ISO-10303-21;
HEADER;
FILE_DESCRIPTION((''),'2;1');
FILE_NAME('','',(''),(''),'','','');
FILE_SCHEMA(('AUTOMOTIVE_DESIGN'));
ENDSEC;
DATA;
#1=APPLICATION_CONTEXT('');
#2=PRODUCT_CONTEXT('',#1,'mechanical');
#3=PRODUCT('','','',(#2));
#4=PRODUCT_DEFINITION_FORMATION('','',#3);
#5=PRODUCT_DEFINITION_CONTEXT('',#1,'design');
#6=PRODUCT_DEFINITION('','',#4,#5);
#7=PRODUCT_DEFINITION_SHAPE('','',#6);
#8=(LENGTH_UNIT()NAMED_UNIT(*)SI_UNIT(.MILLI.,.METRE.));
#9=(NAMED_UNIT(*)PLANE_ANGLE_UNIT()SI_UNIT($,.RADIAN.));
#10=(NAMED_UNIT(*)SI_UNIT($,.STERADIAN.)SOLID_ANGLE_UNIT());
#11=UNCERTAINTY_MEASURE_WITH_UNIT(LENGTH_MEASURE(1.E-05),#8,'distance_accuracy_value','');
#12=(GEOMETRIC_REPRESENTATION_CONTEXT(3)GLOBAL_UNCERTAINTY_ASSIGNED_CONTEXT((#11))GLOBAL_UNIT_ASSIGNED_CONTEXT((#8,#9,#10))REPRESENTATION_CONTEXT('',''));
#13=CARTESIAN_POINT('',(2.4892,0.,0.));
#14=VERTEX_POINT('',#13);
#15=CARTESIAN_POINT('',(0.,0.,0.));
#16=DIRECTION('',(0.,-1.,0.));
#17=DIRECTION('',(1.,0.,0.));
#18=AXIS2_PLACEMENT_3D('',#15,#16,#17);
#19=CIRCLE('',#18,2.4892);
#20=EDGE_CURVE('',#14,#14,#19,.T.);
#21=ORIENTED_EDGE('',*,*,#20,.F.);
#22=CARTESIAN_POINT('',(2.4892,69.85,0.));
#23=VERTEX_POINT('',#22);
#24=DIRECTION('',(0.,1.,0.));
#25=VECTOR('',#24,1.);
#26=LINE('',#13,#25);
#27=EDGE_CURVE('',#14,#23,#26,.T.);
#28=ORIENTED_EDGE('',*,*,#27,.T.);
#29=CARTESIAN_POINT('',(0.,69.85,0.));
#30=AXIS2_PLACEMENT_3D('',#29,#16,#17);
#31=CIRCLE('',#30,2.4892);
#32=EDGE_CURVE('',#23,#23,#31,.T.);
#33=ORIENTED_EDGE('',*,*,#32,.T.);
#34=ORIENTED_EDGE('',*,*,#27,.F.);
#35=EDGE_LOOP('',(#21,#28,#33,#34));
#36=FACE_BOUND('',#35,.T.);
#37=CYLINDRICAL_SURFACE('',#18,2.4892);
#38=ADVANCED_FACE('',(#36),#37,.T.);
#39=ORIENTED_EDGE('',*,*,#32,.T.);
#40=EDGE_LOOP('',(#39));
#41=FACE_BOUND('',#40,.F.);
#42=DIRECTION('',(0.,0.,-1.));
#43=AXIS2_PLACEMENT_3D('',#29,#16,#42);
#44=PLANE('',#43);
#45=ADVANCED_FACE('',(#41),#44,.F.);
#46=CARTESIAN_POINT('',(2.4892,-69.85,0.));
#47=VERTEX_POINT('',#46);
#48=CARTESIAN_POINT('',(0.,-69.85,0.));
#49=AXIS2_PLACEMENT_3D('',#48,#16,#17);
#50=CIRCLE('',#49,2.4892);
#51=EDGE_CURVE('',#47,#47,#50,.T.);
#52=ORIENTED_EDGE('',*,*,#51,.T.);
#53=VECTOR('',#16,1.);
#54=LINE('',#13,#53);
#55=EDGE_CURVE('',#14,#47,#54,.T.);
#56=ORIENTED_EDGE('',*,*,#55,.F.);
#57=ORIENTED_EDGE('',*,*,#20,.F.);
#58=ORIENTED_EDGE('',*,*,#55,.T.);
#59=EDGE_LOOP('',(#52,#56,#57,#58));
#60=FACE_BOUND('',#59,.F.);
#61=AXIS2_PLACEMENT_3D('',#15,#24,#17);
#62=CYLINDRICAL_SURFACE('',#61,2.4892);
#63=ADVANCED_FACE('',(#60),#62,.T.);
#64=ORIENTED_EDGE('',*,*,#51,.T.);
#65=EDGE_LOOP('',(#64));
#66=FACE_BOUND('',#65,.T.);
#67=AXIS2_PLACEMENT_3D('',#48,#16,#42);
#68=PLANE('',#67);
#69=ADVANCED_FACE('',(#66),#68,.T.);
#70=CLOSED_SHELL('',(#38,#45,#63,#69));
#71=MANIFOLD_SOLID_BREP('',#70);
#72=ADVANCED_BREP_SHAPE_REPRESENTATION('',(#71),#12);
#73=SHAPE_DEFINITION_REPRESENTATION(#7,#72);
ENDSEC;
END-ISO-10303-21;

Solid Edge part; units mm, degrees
sketch "Sketch1" plane through (0, 0, 0) normal (0, -1, 0) x (1, 0, 0)
  circle A0 centre (0, 0) radius 2.4892
extrude "Protrusion1" add sketch "Sketch1" along normal mid plane 139.7
properties material "Wood, Pine"
